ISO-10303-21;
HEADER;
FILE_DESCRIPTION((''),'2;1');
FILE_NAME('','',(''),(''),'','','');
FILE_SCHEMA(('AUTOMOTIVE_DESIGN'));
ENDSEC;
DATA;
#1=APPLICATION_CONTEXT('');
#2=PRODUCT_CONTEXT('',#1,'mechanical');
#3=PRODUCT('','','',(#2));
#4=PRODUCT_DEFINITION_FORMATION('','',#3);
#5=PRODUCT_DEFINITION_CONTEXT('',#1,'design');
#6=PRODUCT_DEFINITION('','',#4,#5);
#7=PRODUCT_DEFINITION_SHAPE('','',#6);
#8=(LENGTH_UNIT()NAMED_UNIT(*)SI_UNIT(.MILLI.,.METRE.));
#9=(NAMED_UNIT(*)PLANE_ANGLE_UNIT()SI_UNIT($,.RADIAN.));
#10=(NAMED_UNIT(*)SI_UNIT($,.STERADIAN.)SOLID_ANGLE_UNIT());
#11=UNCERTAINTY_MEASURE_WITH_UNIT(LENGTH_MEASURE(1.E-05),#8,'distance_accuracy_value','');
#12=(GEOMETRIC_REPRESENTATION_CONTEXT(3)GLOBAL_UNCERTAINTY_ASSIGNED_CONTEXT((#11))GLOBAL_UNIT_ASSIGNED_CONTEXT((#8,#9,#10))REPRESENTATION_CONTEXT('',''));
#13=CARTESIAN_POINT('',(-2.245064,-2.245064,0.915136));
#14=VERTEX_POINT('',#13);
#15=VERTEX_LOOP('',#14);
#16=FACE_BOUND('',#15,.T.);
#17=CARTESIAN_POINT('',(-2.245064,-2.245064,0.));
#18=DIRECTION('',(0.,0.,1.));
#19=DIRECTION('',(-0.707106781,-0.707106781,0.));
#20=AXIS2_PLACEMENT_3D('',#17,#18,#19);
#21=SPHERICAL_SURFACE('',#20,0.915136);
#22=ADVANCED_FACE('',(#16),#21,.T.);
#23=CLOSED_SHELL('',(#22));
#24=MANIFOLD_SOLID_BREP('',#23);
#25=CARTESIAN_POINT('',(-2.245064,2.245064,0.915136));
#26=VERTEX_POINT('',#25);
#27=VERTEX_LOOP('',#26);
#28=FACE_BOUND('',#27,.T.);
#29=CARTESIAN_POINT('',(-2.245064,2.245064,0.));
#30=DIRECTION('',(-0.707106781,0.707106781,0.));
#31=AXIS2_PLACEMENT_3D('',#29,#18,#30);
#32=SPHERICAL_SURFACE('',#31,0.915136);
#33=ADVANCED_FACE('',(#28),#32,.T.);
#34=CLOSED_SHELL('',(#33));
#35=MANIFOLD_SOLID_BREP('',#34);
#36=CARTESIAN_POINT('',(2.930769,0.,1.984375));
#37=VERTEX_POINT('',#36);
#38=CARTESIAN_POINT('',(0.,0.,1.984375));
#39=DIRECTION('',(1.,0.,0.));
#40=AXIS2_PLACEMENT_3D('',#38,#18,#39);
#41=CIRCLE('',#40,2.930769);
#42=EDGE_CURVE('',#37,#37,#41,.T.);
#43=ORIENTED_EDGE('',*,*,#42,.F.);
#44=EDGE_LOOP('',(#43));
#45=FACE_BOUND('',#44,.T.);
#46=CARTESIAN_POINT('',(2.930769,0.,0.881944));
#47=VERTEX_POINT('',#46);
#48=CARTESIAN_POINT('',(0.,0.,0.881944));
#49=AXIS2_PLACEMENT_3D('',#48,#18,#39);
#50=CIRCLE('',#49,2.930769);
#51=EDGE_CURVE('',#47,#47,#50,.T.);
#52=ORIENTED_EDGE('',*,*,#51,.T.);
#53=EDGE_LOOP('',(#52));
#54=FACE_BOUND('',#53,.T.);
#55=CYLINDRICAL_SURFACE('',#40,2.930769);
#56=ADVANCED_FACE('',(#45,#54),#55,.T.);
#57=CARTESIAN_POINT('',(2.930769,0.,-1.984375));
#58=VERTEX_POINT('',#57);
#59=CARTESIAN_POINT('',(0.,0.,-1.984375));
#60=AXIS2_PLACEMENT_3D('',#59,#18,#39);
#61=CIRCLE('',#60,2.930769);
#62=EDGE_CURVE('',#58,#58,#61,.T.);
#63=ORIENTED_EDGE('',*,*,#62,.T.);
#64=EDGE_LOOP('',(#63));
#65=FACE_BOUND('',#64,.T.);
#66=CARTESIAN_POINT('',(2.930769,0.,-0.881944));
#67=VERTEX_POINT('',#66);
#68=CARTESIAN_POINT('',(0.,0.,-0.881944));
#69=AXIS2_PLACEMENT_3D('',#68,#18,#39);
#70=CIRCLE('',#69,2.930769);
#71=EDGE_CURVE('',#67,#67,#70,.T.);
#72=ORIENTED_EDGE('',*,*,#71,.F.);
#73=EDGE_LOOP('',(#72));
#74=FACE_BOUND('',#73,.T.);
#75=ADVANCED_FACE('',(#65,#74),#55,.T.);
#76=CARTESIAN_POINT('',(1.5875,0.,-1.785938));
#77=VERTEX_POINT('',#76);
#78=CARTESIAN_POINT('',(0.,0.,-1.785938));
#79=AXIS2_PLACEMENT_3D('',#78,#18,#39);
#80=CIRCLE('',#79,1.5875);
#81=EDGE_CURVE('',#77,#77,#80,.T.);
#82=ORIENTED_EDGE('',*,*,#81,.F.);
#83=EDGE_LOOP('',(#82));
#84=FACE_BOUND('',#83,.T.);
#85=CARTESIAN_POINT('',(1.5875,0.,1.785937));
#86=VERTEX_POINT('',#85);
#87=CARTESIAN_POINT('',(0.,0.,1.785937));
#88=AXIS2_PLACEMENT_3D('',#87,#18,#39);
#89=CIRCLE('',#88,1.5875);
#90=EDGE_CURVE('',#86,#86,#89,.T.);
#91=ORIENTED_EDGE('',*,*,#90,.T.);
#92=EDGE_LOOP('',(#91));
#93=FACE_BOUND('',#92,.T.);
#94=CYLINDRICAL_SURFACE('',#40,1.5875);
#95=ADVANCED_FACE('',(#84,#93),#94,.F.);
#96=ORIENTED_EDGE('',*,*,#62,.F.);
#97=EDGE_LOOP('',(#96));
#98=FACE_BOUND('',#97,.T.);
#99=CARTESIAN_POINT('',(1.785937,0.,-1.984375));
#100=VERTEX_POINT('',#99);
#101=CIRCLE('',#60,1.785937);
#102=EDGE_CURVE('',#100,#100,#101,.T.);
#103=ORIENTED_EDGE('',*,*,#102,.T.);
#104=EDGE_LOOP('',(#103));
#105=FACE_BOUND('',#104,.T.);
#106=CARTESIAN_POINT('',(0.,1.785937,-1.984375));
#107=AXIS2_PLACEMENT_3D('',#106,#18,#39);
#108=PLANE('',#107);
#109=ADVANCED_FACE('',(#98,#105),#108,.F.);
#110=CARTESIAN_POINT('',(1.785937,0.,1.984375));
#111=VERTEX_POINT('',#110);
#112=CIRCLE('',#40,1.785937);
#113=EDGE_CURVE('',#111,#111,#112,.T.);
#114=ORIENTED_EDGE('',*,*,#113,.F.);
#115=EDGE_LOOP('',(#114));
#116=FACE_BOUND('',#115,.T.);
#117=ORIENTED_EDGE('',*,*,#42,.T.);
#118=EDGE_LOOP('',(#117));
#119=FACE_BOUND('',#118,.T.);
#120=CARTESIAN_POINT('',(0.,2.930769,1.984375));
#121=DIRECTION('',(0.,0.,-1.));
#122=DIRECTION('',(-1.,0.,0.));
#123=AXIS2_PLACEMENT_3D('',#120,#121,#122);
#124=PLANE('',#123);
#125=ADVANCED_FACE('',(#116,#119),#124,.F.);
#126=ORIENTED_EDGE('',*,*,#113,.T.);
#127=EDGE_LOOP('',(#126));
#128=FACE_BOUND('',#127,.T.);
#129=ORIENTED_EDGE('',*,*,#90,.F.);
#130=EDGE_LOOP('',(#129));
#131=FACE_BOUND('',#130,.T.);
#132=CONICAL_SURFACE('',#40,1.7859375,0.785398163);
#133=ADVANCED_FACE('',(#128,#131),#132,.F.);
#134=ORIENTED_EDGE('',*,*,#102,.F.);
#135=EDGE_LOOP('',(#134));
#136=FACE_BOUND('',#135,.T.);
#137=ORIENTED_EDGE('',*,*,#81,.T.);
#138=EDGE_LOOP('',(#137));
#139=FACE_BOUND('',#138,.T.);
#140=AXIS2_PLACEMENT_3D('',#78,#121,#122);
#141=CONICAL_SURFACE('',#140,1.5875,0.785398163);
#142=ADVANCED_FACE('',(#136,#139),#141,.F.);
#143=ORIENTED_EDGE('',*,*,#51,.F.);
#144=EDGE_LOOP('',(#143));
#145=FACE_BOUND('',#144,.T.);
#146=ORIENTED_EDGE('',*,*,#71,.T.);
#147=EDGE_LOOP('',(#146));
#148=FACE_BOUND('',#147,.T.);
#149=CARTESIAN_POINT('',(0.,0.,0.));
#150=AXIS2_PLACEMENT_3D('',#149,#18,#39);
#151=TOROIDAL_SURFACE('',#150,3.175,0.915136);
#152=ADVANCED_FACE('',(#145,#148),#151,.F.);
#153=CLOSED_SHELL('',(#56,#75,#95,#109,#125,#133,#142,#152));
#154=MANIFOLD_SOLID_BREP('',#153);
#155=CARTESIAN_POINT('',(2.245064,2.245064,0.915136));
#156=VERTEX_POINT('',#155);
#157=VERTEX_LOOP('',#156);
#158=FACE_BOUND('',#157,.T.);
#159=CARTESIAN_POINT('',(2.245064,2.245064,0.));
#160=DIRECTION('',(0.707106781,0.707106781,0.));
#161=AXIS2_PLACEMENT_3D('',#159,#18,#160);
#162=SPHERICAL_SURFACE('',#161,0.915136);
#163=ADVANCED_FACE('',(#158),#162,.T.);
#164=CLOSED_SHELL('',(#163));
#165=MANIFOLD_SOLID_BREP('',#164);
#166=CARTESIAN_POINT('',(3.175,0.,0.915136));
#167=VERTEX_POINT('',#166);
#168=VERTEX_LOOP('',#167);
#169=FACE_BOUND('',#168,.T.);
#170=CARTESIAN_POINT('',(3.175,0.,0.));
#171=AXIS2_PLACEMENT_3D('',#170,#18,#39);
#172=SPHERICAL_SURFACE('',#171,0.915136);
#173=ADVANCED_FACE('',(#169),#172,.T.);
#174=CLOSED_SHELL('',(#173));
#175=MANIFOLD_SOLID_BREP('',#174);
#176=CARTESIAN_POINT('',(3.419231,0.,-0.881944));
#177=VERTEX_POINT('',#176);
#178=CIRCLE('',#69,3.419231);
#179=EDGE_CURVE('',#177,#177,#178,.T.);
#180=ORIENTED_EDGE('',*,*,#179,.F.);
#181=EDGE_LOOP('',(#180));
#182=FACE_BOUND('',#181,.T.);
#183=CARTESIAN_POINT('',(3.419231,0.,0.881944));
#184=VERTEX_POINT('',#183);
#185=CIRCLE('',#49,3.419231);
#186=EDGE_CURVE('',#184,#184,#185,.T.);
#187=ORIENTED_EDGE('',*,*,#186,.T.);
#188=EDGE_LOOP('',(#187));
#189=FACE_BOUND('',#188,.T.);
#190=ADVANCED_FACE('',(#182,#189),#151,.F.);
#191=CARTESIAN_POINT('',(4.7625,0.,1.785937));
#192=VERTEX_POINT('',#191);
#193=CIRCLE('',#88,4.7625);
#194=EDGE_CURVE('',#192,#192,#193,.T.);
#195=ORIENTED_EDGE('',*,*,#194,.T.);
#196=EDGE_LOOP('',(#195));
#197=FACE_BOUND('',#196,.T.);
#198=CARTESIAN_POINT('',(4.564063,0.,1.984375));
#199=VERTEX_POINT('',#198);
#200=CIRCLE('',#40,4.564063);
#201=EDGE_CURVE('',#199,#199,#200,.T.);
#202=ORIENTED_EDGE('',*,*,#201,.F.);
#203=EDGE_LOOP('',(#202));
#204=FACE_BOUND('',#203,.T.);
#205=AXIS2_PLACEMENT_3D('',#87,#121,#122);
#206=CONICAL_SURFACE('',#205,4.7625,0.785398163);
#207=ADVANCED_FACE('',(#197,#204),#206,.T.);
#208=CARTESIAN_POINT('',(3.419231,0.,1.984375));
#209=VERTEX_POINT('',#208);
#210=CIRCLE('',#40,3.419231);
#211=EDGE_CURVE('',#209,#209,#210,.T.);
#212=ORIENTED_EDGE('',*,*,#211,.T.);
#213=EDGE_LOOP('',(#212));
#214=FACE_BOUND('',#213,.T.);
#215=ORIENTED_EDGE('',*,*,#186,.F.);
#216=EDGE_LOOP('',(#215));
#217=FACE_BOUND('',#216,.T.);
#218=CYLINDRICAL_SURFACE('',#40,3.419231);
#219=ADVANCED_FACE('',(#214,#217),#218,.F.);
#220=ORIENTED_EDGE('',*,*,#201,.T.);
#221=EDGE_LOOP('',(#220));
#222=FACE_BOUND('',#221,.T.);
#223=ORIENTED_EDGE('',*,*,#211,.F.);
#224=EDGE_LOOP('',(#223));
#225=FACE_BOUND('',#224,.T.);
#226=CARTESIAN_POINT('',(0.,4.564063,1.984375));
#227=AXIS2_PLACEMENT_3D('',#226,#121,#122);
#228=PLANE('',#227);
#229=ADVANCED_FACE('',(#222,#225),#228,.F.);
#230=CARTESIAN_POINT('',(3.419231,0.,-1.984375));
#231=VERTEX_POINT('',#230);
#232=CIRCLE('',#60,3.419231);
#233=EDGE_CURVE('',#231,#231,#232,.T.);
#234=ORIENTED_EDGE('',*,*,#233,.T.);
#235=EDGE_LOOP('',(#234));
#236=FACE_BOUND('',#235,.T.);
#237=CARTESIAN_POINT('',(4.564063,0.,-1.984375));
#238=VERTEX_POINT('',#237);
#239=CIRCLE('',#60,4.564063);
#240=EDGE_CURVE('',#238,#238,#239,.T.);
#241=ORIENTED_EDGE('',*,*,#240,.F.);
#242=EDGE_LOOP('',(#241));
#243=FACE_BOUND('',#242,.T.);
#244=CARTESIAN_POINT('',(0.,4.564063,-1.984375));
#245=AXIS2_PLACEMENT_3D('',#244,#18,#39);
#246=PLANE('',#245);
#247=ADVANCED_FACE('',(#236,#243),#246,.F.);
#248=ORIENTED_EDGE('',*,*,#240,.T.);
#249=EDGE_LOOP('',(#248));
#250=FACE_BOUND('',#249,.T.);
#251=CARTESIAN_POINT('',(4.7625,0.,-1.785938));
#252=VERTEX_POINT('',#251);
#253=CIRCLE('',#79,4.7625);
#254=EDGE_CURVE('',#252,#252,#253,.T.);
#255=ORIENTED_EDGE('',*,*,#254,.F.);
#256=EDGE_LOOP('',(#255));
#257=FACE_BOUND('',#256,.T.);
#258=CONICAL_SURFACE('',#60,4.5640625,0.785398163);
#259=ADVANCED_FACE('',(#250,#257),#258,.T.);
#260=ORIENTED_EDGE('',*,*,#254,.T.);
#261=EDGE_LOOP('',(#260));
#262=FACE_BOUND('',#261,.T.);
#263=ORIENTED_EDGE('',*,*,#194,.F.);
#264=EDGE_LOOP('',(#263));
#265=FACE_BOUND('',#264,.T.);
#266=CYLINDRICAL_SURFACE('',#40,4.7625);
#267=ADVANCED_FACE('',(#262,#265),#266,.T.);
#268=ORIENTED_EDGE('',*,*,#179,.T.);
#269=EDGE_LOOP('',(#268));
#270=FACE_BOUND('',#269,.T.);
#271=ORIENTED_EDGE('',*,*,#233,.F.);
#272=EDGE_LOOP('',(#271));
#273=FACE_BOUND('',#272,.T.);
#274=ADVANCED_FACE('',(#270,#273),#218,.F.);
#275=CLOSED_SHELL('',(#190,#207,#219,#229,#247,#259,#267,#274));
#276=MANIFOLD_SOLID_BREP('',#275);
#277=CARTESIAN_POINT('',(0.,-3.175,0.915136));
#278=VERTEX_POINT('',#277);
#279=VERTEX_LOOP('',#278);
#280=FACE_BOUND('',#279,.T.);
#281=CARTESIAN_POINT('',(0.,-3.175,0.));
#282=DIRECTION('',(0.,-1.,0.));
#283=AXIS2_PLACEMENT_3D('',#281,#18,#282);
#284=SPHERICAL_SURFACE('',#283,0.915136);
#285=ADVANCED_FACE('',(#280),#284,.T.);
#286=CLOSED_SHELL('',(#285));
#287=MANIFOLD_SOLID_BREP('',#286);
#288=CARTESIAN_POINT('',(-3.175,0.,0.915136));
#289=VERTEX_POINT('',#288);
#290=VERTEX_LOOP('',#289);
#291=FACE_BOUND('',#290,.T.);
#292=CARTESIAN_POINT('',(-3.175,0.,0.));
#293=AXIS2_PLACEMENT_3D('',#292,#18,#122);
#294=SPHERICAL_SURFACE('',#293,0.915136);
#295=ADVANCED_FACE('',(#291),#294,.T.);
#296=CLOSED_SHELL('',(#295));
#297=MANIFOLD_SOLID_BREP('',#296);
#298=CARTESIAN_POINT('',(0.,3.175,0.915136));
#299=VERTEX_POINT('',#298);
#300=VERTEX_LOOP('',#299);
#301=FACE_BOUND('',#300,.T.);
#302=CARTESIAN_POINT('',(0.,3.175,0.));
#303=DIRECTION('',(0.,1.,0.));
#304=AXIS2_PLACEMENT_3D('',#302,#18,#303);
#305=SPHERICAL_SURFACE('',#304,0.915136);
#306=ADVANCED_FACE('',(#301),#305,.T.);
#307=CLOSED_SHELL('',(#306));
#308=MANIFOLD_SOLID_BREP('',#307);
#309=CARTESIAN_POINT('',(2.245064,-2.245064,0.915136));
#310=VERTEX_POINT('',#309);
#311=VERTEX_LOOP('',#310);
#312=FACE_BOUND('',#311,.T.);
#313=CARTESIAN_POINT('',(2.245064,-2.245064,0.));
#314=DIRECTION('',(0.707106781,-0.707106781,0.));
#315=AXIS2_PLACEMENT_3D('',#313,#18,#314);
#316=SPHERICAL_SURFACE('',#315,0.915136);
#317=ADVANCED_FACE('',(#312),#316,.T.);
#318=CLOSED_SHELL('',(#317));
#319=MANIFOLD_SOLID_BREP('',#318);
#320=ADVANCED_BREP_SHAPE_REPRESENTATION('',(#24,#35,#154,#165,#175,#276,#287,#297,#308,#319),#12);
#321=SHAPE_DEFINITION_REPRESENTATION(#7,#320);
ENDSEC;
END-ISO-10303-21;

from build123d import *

# Parameters (mm, degrees)
CIRPATTERN1_COUNT = 8


with BuildPart() as part:
    # Sketch1 → Revolve1 (revolve)
    with BuildSketch(Plane(origin=(0, 0, 0), x_dir=(0, 0, -1), z_dir=(1, 0, 0))):
        with BuildLine():
            Line((1.7859375, 4.7625), (-1.7859375, 4.7625))
            Line((-1.7859375, 4.7625), (-1.984375, 4.5640625))
            Line((-1.984375, 4.5640625), (-1.984375, 3.419230769))
            Line((-1.984375, 3.419230769), (-0.881944444, 3.419230769))
            ThreePointArc((-0.881944444, 3.419230769), (0, 4.090136422), (0.881944444, 3.419230769))
            Line((0.881944444, 3.419230769), (1.984375, 3.419230769))
            Line((1.984375, 3.419230769), (1.984375, 4.5640625))
            Line((1.984375, 4.5640625), (1.7859375, 4.7625))
        make_face()
    revolve(axis=Axis((0, 0, 1.984375), (0, 0, -1)))


with BuildPart() as body_2:
    # Sketch3 → Revolve3 (revolve)
    with BuildSketch(Plane(origin=(0, 0, 0), x_dir=(0, 0, -1), z_dir=(1, 0, 0))):
        with BuildLine():
            Line((-1.984375, 2.930769231), (-0.881944444, 2.930769231))
            ThreePointArc((-0.881944444, 2.930769231), (0, 2.259863578), (0.881944444, 2.930769231))
            Line((0.881944444, 2.930769231), (1.984375, 2.930769231))
            Line((1.984375, 2.930769231), (1.984375, 1.7859375))
            Line((1.984375, 1.7859375), (1.7859375, 1.5875))
            Line((1.7859375, 1.5875), (-1.7859375, 1.5875))
            Line((-1.7859375, 1.5875), (-1.984375, 1.7859375))
            Line((-1.984375, 1.7859375), (-1.984375, 2.930769231))
        make_face()
    revolve(axis=Axis((0, 0, 1.984375), (0, 0, -1)))


with BuildPart() as body_3:
    # Sketch4 → Revolve4 (revolve)
    with BuildSketch(Plane(origin=(0, 0, 0), x_dir=(0, 0, -1), z_dir=(1, 0, 0))):
        with BuildLine():
            Line((-0.915136422, 3.175), (0.915136422, 3.175))
            ThreePointArc((0.915136422, 3.175), (0, 4.090136422), (-0.915136422, 3.175))
        make_face()
    revolve(axis=Axis((0, 3.175, 0.915136422), (0, 0, -1)))


with BuildPart() as cirpattern1_1:
    # CirPattern1: pattern copy
    add(body_3.part.rotate(Axis((0, 0, 0), (0, 0, 1)), 1 * 360 / CIRPATTERN1_COUNT))


with BuildPart() as cirpattern1_2:
    # CirPattern1: pattern copy
    add(body_3.part.rotate(Axis((0, 0, 0), (0, 0, 1)), 2 * 360 / CIRPATTERN1_COUNT))


with BuildPart() as cirpattern1_3:
    # CirPattern1: pattern copy
    add(body_3.part.rotate(Axis((0, 0, 0), (0, 0, 1)), 3 * 360 / CIRPATTERN1_COUNT))


with BuildPart() as cirpattern1_4:
    # CirPattern1: pattern copy
    add(body_3.part.rotate(Axis((0, 0, 0), (0, 0, 1)), 4 * 360 / CIRPATTERN1_COUNT))


with BuildPart() as cirpattern1_5:
    # CirPattern1: pattern copy
    add(body_3.part.rotate(Axis((0, 0, 0), (0, 0, 1)), 5 * 360 / CIRPATTERN1_COUNT))


with BuildPart() as cirpattern1_6:
    # CirPattern1: pattern copy
    add(body_3.part.rotate(Axis((0, 0, 0), (0, 0, 1)), 6 * 360 / CIRPATTERN1_COUNT))


with BuildPart() as cirpattern1_7:
    # CirPattern1: pattern copy
    add(body_3.part.rotate(Axis((0, 0, 0), (0, 0, 1)), 7 * 360 / CIRPATTERN1_COUNT))


solid = Compound([part.part, body_2.part, body_3.part, cirpattern1_1.part, cirpattern1_2.part, cirpattern1_3.part, cirpattern1_4.part, cirpattern1_5.part, cirpattern1_6.part, cirpattern1_7.part])
